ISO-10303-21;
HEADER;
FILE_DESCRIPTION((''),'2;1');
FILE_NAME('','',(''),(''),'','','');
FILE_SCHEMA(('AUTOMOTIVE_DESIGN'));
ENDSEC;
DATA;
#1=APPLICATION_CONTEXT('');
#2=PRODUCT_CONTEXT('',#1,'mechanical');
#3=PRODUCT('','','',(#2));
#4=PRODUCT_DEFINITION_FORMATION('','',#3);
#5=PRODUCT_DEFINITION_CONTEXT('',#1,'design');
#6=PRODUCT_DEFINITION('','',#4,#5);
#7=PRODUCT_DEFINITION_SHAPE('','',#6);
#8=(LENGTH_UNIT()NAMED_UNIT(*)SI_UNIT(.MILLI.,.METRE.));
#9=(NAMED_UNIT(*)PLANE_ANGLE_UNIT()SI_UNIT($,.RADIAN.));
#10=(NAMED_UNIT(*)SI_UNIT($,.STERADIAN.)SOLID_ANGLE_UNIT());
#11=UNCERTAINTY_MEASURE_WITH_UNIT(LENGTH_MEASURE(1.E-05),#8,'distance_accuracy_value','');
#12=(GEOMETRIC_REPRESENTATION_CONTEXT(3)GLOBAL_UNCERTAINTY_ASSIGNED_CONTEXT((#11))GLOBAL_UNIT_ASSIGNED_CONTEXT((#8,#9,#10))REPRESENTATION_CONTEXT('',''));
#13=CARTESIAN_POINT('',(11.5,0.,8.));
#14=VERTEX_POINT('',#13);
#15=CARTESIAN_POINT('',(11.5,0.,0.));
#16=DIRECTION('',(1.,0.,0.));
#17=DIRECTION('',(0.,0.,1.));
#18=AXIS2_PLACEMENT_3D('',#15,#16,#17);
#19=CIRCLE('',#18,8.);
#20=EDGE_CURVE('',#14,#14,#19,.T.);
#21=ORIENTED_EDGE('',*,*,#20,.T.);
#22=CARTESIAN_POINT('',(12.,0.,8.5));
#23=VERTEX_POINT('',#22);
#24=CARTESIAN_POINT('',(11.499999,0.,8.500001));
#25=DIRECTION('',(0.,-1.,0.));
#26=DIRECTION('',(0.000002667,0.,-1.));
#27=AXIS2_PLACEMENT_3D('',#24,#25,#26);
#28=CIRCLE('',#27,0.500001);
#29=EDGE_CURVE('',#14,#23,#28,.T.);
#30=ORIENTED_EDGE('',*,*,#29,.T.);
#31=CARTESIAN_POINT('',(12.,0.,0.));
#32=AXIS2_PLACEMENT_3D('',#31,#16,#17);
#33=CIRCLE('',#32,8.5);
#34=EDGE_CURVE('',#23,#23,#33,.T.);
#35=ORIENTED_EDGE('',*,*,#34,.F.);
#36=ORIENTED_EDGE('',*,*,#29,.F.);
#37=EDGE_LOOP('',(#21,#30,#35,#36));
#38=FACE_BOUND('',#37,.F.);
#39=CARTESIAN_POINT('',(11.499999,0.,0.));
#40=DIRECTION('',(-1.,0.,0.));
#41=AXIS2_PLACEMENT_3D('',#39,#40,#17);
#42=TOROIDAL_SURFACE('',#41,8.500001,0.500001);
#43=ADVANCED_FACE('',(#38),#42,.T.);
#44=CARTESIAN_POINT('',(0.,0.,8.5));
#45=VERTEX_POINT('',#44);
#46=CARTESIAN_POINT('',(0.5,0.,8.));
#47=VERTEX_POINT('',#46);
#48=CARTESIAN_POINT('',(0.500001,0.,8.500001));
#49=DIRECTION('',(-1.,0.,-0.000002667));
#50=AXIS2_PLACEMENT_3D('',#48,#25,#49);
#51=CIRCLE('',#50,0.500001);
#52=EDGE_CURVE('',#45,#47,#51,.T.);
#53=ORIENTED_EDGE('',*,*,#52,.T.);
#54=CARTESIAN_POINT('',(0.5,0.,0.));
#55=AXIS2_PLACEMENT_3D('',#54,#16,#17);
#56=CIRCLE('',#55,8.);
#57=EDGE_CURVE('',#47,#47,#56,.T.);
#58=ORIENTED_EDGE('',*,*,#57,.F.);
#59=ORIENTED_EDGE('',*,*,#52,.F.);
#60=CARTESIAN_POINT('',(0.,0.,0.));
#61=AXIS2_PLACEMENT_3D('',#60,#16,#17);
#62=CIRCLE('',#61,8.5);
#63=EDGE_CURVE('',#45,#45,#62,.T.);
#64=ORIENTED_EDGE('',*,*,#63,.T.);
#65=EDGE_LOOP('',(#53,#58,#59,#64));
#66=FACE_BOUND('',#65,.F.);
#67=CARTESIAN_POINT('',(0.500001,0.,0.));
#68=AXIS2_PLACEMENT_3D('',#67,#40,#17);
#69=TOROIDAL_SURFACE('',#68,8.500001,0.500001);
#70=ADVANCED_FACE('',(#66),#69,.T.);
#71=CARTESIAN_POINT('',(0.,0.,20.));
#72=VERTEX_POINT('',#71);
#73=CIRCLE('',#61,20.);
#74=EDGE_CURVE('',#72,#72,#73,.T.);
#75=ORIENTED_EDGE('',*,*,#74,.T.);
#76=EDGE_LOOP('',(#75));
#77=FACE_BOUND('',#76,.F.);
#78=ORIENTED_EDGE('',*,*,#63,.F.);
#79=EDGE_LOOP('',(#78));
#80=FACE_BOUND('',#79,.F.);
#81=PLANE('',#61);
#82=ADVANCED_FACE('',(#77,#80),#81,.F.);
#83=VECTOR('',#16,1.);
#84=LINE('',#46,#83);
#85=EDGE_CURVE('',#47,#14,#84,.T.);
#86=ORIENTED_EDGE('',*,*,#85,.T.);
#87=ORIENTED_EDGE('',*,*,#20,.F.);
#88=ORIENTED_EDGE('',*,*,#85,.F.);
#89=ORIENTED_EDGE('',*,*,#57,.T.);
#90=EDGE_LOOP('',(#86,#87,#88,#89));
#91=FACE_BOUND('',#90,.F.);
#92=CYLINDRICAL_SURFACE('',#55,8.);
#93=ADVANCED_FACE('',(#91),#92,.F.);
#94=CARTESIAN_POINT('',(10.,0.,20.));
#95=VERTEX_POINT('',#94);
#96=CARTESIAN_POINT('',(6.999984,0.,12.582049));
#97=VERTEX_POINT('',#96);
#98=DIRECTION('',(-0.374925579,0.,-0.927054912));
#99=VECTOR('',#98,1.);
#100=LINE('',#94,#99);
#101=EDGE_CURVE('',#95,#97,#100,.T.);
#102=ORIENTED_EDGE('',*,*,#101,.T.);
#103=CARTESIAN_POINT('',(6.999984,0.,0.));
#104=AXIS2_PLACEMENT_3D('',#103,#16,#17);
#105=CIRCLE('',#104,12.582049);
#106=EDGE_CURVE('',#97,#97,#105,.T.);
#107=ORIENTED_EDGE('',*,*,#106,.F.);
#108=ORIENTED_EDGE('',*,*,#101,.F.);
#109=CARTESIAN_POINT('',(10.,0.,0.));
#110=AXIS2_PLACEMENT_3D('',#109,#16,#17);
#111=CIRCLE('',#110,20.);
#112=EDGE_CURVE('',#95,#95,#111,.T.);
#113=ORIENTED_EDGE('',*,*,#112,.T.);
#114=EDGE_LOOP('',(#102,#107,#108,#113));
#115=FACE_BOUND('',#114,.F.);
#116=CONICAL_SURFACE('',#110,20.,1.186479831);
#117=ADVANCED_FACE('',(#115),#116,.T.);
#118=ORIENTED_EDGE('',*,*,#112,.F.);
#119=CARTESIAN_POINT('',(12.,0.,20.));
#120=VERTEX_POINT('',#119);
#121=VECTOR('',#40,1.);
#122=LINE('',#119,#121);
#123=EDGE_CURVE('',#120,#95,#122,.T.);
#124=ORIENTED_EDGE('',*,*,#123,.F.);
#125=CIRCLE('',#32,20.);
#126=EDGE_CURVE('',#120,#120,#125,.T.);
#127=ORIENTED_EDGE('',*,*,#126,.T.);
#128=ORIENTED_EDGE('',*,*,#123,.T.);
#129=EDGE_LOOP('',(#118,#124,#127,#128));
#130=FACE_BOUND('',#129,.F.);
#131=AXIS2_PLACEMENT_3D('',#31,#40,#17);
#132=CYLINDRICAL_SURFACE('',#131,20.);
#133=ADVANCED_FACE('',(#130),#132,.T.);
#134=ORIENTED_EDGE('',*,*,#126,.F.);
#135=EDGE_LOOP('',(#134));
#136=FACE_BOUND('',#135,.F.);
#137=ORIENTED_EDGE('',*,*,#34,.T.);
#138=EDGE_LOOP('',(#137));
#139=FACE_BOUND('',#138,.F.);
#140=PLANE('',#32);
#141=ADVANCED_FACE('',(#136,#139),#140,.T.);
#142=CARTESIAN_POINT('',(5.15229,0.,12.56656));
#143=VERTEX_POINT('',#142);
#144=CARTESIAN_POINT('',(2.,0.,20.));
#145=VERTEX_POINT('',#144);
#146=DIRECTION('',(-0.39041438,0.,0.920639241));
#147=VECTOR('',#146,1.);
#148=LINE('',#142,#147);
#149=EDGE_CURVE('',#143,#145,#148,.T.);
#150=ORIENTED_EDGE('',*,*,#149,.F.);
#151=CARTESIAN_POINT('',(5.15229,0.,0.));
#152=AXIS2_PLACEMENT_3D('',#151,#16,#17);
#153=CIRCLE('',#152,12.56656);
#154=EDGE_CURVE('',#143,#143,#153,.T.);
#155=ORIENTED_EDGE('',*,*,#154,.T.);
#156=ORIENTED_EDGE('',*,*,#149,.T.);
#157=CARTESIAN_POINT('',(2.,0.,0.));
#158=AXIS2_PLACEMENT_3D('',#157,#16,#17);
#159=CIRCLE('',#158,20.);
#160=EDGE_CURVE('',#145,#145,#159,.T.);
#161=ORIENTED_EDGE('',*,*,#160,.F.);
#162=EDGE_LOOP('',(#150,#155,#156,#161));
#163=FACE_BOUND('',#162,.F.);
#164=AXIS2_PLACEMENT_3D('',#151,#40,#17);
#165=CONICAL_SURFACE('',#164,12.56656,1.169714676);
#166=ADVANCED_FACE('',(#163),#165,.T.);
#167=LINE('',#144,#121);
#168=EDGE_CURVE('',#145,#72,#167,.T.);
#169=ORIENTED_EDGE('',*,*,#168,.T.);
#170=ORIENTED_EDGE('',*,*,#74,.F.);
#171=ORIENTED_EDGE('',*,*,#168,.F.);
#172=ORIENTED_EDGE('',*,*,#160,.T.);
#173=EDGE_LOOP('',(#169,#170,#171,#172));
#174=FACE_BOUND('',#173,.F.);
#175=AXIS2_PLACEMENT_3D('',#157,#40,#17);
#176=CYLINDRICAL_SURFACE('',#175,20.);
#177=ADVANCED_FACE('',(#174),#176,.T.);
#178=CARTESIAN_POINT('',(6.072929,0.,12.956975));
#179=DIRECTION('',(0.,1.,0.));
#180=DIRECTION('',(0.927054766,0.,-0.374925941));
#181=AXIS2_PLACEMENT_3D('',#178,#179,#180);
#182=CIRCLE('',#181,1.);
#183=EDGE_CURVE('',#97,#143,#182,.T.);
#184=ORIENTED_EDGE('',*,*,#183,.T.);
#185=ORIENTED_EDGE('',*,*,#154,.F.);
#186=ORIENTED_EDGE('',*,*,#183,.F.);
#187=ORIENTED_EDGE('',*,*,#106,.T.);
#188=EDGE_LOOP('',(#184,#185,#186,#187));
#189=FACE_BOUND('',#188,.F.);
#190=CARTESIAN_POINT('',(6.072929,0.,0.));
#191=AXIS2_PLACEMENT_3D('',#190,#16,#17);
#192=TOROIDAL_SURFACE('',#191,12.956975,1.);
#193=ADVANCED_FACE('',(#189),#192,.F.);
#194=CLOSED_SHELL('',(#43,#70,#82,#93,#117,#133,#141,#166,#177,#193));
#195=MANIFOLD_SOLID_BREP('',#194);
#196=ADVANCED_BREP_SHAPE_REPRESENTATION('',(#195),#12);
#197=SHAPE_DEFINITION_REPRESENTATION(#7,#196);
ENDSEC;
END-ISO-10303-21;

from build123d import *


with BuildPart() as f1:
    # F0 (on Front) → F1 (revolve)
    with BuildSketch(Plane.XZ):
        with BuildLine():
            Line((12, 8.5), (12, 20))
            Line((12, 20), (10, 20))
            Line((10, 20), (6.999984, 12.582049))
            ThreePointArc((6.999984, 12.582049), (6.081312, 11.95701), (5.15229, 12.56656))
            Line((5.15229, 12.56656), (2, 20))
            Line((2, 20), (0, 20))
            Line((0, 20), (0, 8.5))
            ThreePointArc((0, 8.5), (0.146447, 8.146447), (0.5, 8))
            Line((0.5, 8), (11.5, 8))
            ThreePointArc((11.5, 8), (11.853553, 8.146447), (12, 8.5))
        make_face()
    revolve(axis=Axis((6, 0, 0), (1, 0, 0)))


solid = f1.part
